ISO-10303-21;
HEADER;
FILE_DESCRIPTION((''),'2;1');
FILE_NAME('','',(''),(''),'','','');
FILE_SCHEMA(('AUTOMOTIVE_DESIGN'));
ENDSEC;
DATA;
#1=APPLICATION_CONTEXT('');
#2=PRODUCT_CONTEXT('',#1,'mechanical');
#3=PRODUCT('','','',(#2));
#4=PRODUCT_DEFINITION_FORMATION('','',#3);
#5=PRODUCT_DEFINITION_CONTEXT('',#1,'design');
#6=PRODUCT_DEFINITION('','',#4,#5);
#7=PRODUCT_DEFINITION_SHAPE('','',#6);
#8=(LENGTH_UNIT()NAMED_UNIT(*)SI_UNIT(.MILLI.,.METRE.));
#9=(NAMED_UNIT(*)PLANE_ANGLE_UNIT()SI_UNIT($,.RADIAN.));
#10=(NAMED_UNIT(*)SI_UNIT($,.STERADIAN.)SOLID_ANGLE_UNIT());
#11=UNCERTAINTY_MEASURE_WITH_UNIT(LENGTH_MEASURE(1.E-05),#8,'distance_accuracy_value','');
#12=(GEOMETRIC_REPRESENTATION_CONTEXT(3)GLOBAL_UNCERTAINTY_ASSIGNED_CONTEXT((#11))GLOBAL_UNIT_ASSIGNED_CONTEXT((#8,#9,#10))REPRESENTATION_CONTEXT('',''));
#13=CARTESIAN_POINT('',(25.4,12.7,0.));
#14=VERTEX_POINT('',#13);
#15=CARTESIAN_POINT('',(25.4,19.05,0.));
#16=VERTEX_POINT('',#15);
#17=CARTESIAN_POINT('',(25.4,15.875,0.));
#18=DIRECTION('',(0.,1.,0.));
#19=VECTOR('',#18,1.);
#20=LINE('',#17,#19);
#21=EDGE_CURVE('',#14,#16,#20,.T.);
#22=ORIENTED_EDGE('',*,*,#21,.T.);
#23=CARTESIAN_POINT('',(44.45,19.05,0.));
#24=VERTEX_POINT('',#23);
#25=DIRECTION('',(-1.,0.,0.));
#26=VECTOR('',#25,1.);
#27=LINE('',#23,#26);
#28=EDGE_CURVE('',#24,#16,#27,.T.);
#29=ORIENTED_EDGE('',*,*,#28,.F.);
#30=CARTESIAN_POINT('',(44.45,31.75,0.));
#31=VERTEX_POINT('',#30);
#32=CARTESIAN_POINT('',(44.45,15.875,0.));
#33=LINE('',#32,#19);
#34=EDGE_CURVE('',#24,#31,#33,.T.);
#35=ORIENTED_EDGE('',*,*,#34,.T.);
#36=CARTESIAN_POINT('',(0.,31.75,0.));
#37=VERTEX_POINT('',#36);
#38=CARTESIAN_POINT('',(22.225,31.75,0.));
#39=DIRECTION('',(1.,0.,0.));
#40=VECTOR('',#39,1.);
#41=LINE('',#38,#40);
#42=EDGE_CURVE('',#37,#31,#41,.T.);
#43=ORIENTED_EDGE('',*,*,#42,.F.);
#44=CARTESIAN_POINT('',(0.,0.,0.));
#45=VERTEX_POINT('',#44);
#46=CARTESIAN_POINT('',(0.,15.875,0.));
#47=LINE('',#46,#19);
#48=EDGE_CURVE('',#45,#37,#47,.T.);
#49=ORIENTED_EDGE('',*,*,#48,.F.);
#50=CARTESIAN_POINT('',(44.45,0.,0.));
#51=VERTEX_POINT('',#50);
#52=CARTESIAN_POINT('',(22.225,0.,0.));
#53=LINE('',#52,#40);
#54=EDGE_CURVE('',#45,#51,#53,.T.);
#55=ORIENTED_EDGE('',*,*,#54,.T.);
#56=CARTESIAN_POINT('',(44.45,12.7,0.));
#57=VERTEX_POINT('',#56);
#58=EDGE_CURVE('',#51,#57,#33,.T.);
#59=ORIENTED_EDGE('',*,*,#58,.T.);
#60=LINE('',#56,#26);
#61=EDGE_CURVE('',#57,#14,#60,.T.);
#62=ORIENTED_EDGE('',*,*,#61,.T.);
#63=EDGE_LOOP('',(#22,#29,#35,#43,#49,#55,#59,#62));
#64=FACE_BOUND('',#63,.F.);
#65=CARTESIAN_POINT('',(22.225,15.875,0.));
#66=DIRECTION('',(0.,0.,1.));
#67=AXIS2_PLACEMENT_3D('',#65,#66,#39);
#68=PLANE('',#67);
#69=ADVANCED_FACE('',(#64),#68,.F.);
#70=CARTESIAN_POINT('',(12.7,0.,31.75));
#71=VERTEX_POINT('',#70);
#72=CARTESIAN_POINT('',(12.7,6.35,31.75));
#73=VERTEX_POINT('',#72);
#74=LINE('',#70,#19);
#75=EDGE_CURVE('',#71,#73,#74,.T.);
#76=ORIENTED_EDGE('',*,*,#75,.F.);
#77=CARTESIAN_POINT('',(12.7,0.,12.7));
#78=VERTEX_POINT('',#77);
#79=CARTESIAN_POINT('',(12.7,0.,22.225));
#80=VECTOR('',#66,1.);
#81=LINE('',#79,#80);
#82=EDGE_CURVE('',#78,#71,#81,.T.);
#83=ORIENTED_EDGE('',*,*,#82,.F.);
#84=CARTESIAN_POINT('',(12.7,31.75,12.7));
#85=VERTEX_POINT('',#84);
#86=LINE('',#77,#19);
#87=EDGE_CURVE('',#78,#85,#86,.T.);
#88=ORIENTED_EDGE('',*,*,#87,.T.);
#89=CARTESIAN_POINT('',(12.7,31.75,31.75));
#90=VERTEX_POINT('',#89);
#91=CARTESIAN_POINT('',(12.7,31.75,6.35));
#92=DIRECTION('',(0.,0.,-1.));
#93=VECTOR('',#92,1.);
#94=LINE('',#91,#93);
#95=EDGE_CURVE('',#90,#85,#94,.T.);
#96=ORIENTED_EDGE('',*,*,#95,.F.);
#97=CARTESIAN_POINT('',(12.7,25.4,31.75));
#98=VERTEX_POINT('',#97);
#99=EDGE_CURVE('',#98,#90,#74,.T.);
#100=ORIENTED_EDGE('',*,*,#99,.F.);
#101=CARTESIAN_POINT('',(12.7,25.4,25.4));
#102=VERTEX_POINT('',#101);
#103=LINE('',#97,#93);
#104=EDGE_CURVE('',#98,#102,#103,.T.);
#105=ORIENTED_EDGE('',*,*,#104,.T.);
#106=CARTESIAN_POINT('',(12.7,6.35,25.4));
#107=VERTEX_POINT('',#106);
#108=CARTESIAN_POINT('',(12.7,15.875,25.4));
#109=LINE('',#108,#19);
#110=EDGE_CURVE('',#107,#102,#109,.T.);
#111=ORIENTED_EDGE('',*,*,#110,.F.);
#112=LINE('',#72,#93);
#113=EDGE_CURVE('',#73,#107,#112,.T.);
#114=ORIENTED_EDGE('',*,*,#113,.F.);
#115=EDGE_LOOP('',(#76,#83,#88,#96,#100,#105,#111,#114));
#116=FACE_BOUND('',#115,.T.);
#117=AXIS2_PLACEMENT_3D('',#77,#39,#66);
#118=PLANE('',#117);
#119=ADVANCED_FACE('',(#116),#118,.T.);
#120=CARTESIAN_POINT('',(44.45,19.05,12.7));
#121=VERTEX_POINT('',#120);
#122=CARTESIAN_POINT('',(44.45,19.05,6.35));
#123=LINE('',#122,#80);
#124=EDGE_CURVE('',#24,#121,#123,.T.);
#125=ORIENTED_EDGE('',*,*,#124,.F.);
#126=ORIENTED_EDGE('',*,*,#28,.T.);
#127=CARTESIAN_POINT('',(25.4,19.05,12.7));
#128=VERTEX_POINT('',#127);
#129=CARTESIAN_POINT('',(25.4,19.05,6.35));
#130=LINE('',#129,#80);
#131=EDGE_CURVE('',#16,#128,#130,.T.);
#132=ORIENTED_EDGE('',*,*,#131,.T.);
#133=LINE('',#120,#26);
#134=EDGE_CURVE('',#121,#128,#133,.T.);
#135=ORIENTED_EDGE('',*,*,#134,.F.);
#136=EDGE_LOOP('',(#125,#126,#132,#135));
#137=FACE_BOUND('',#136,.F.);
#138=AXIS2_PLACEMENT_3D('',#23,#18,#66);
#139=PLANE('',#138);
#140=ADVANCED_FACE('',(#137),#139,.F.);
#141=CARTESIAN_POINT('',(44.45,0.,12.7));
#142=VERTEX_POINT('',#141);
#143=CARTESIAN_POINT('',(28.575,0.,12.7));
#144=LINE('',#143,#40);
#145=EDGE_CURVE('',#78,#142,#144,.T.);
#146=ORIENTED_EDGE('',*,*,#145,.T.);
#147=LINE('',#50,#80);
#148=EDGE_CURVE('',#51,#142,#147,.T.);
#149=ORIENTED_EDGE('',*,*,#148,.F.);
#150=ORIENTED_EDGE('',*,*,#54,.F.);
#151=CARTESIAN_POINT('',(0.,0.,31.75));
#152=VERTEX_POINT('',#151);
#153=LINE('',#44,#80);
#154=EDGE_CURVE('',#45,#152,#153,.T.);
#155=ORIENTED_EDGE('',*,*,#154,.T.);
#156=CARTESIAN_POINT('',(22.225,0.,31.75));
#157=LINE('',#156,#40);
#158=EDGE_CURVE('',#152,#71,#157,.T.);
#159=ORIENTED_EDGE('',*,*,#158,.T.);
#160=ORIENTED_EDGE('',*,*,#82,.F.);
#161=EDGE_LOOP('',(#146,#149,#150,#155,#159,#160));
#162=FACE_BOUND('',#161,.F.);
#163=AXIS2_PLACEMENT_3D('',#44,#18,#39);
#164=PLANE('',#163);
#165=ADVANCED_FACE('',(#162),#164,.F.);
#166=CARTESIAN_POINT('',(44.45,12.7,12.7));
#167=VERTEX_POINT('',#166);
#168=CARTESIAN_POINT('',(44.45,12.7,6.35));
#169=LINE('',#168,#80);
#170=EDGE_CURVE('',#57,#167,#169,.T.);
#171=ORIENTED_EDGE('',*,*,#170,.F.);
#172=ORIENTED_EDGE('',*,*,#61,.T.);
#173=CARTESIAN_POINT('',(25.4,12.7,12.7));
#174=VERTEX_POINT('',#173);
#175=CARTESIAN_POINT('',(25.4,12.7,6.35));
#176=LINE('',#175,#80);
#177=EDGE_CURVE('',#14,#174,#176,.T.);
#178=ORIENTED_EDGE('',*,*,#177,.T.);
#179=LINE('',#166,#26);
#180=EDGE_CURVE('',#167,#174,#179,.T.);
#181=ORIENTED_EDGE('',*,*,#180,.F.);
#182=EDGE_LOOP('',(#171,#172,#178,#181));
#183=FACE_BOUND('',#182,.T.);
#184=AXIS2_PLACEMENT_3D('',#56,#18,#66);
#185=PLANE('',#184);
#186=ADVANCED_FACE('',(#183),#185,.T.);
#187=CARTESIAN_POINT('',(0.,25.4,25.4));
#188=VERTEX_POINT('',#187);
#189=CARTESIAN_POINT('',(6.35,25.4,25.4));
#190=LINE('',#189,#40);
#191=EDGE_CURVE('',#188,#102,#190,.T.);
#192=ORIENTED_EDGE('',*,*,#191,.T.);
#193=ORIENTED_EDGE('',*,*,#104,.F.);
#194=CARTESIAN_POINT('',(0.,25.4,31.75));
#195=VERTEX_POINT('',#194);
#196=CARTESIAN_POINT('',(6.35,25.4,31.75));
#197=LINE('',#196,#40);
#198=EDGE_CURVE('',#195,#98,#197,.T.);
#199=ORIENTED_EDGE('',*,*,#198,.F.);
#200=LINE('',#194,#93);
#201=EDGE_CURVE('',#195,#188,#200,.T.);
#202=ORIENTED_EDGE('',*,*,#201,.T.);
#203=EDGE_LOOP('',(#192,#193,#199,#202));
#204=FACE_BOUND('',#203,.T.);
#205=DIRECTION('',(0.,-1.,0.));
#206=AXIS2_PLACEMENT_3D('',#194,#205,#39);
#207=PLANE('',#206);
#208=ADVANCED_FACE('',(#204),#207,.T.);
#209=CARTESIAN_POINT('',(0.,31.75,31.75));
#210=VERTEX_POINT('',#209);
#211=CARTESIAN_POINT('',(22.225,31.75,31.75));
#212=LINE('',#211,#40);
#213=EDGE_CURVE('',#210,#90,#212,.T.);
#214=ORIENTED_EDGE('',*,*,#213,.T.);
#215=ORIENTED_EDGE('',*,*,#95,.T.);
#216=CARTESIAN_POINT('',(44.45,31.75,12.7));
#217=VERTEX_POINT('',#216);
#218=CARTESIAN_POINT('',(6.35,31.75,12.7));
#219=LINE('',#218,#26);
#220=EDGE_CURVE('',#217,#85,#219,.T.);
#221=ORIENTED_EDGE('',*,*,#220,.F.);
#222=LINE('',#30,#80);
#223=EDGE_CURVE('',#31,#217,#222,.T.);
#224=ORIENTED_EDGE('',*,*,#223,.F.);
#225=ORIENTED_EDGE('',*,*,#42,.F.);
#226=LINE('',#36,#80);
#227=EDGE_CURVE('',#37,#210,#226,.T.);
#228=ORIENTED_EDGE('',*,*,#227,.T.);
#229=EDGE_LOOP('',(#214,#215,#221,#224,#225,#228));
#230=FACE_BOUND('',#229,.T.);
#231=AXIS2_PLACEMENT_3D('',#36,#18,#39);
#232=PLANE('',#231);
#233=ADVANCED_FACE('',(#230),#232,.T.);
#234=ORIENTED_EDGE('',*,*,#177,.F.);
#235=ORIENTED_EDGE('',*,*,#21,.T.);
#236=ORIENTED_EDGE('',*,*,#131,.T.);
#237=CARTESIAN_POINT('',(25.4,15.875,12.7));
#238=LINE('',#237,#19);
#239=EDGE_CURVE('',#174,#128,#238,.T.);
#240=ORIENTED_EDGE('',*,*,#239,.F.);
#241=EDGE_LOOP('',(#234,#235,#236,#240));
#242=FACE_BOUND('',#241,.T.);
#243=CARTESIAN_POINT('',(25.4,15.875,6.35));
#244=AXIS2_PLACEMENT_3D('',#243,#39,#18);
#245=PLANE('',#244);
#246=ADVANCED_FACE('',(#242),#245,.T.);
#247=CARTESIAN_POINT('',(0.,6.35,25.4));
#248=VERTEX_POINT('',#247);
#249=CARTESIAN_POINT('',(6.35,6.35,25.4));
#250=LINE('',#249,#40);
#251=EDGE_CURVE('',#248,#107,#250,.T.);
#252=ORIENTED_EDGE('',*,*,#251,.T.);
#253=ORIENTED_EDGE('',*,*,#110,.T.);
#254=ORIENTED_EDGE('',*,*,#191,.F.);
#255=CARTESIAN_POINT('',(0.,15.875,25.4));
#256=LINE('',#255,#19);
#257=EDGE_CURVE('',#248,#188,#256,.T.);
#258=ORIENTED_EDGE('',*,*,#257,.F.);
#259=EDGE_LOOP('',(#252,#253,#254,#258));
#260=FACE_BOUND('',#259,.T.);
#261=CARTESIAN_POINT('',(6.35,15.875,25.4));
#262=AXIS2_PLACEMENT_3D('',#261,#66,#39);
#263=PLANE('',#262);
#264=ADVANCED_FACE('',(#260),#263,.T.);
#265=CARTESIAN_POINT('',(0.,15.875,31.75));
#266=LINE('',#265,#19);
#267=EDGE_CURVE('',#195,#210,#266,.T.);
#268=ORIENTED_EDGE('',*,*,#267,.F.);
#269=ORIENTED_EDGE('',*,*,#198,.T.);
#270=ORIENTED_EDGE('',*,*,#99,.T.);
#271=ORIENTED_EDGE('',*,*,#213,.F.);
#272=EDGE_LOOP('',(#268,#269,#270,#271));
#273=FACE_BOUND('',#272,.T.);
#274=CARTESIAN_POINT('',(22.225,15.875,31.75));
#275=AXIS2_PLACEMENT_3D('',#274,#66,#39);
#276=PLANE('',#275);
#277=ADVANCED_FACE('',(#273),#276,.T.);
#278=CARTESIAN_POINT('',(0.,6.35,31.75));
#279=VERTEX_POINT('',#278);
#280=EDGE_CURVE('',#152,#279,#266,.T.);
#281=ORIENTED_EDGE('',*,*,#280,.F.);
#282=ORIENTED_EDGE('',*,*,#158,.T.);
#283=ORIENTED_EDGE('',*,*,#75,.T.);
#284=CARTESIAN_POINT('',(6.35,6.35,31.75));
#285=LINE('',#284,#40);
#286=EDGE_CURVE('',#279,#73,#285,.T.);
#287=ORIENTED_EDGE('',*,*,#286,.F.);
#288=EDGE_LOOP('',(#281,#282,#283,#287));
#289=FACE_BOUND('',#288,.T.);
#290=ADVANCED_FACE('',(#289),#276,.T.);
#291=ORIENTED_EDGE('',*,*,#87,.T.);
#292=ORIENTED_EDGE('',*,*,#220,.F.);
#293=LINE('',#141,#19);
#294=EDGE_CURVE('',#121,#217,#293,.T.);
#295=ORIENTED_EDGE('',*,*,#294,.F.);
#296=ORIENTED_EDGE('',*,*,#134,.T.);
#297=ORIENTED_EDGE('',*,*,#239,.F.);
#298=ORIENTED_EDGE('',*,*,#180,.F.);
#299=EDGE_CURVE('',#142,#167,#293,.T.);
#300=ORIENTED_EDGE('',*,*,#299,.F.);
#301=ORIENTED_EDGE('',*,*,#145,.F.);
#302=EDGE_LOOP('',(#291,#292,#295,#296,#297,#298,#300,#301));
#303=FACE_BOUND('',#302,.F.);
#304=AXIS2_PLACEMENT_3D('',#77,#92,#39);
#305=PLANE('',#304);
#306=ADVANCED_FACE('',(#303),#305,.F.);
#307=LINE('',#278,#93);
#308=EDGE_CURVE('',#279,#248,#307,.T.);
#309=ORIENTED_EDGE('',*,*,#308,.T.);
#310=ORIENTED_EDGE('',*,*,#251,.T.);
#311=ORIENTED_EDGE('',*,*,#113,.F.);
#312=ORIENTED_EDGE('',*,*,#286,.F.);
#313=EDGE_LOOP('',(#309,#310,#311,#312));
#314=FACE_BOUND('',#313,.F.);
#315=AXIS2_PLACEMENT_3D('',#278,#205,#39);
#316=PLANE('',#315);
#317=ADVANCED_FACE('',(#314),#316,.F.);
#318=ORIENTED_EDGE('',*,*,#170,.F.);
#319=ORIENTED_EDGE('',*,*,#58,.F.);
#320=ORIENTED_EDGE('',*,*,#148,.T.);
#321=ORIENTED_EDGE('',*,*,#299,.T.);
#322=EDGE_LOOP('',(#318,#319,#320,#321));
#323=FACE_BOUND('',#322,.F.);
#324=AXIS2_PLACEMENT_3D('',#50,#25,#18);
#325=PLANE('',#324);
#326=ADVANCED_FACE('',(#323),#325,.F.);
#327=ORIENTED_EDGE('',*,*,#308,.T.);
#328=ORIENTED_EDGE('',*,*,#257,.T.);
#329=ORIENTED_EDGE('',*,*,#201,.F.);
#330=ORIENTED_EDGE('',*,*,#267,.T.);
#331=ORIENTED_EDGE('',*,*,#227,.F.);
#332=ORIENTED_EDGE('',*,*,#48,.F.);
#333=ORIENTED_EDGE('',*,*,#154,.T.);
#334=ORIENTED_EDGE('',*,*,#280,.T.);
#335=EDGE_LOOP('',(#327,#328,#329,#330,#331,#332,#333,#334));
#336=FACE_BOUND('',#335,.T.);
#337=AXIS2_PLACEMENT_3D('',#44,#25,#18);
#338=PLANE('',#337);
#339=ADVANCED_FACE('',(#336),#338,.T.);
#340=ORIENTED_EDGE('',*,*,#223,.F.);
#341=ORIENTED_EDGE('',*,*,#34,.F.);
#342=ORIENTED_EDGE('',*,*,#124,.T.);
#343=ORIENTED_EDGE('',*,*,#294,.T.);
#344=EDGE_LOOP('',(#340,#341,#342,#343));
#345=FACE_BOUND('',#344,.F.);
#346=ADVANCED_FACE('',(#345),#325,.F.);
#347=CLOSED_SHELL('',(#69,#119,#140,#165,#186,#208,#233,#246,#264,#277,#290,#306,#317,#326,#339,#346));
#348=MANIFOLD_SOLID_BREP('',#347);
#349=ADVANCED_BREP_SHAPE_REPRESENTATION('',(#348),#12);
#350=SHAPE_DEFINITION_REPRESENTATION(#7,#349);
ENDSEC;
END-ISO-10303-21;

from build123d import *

# Parameters (mm, degrees)
F0_W     = 44.45
F0_H     = 31.75
F1_DEPTH = 31.75
F2_W     = 31.75
F2_H     = 19.05
F3_DEPTH = 31.751
F4_W     = 6.35
F4_H     = 12.7
F5_DEPTH = 19.05
F6_W     = 12.7
F6_H     = 19.05
F7_DEPTH = 6.35


with BuildPart() as f1:
    # F0 (on Top) → F1 (new body)
    with BuildSketch(Plane.XY):
        with Locations((22.225, 15.875)):
            Rectangle(F0_W, F0_H)
    extrude(amount=F1_DEPTH)

    # F2 (on face) → F3 (cut, through all)
    with BuildSketch(Plane.XZ):
        with Locations((28.575, 22.225)):
            Rectangle(F2_W, F2_H)
    extrude(amount=-F3_DEPTH, mode=Mode.SUBTRACT)

    # F4 (on face) → F5 (cut)
    with BuildSketch(Plane.YZ.offset(44.45)):
        with Locations((15.875, 6.35)):
            Rectangle(F4_W, F4_H)
    extrude(amount=-F5_DEPTH, mode=Mode.SUBTRACT)

    # F6 (on face) → F7 (cut)
    with BuildSketch(Plane.XY.offset(31.75)):
        with Locations((6.35, 15.875)):
            Rectangle(F6_W, F6_H)
    extrude(amount=-F7_DEPTH, mode=Mode.SUBTRACT)


solid = f1.part
